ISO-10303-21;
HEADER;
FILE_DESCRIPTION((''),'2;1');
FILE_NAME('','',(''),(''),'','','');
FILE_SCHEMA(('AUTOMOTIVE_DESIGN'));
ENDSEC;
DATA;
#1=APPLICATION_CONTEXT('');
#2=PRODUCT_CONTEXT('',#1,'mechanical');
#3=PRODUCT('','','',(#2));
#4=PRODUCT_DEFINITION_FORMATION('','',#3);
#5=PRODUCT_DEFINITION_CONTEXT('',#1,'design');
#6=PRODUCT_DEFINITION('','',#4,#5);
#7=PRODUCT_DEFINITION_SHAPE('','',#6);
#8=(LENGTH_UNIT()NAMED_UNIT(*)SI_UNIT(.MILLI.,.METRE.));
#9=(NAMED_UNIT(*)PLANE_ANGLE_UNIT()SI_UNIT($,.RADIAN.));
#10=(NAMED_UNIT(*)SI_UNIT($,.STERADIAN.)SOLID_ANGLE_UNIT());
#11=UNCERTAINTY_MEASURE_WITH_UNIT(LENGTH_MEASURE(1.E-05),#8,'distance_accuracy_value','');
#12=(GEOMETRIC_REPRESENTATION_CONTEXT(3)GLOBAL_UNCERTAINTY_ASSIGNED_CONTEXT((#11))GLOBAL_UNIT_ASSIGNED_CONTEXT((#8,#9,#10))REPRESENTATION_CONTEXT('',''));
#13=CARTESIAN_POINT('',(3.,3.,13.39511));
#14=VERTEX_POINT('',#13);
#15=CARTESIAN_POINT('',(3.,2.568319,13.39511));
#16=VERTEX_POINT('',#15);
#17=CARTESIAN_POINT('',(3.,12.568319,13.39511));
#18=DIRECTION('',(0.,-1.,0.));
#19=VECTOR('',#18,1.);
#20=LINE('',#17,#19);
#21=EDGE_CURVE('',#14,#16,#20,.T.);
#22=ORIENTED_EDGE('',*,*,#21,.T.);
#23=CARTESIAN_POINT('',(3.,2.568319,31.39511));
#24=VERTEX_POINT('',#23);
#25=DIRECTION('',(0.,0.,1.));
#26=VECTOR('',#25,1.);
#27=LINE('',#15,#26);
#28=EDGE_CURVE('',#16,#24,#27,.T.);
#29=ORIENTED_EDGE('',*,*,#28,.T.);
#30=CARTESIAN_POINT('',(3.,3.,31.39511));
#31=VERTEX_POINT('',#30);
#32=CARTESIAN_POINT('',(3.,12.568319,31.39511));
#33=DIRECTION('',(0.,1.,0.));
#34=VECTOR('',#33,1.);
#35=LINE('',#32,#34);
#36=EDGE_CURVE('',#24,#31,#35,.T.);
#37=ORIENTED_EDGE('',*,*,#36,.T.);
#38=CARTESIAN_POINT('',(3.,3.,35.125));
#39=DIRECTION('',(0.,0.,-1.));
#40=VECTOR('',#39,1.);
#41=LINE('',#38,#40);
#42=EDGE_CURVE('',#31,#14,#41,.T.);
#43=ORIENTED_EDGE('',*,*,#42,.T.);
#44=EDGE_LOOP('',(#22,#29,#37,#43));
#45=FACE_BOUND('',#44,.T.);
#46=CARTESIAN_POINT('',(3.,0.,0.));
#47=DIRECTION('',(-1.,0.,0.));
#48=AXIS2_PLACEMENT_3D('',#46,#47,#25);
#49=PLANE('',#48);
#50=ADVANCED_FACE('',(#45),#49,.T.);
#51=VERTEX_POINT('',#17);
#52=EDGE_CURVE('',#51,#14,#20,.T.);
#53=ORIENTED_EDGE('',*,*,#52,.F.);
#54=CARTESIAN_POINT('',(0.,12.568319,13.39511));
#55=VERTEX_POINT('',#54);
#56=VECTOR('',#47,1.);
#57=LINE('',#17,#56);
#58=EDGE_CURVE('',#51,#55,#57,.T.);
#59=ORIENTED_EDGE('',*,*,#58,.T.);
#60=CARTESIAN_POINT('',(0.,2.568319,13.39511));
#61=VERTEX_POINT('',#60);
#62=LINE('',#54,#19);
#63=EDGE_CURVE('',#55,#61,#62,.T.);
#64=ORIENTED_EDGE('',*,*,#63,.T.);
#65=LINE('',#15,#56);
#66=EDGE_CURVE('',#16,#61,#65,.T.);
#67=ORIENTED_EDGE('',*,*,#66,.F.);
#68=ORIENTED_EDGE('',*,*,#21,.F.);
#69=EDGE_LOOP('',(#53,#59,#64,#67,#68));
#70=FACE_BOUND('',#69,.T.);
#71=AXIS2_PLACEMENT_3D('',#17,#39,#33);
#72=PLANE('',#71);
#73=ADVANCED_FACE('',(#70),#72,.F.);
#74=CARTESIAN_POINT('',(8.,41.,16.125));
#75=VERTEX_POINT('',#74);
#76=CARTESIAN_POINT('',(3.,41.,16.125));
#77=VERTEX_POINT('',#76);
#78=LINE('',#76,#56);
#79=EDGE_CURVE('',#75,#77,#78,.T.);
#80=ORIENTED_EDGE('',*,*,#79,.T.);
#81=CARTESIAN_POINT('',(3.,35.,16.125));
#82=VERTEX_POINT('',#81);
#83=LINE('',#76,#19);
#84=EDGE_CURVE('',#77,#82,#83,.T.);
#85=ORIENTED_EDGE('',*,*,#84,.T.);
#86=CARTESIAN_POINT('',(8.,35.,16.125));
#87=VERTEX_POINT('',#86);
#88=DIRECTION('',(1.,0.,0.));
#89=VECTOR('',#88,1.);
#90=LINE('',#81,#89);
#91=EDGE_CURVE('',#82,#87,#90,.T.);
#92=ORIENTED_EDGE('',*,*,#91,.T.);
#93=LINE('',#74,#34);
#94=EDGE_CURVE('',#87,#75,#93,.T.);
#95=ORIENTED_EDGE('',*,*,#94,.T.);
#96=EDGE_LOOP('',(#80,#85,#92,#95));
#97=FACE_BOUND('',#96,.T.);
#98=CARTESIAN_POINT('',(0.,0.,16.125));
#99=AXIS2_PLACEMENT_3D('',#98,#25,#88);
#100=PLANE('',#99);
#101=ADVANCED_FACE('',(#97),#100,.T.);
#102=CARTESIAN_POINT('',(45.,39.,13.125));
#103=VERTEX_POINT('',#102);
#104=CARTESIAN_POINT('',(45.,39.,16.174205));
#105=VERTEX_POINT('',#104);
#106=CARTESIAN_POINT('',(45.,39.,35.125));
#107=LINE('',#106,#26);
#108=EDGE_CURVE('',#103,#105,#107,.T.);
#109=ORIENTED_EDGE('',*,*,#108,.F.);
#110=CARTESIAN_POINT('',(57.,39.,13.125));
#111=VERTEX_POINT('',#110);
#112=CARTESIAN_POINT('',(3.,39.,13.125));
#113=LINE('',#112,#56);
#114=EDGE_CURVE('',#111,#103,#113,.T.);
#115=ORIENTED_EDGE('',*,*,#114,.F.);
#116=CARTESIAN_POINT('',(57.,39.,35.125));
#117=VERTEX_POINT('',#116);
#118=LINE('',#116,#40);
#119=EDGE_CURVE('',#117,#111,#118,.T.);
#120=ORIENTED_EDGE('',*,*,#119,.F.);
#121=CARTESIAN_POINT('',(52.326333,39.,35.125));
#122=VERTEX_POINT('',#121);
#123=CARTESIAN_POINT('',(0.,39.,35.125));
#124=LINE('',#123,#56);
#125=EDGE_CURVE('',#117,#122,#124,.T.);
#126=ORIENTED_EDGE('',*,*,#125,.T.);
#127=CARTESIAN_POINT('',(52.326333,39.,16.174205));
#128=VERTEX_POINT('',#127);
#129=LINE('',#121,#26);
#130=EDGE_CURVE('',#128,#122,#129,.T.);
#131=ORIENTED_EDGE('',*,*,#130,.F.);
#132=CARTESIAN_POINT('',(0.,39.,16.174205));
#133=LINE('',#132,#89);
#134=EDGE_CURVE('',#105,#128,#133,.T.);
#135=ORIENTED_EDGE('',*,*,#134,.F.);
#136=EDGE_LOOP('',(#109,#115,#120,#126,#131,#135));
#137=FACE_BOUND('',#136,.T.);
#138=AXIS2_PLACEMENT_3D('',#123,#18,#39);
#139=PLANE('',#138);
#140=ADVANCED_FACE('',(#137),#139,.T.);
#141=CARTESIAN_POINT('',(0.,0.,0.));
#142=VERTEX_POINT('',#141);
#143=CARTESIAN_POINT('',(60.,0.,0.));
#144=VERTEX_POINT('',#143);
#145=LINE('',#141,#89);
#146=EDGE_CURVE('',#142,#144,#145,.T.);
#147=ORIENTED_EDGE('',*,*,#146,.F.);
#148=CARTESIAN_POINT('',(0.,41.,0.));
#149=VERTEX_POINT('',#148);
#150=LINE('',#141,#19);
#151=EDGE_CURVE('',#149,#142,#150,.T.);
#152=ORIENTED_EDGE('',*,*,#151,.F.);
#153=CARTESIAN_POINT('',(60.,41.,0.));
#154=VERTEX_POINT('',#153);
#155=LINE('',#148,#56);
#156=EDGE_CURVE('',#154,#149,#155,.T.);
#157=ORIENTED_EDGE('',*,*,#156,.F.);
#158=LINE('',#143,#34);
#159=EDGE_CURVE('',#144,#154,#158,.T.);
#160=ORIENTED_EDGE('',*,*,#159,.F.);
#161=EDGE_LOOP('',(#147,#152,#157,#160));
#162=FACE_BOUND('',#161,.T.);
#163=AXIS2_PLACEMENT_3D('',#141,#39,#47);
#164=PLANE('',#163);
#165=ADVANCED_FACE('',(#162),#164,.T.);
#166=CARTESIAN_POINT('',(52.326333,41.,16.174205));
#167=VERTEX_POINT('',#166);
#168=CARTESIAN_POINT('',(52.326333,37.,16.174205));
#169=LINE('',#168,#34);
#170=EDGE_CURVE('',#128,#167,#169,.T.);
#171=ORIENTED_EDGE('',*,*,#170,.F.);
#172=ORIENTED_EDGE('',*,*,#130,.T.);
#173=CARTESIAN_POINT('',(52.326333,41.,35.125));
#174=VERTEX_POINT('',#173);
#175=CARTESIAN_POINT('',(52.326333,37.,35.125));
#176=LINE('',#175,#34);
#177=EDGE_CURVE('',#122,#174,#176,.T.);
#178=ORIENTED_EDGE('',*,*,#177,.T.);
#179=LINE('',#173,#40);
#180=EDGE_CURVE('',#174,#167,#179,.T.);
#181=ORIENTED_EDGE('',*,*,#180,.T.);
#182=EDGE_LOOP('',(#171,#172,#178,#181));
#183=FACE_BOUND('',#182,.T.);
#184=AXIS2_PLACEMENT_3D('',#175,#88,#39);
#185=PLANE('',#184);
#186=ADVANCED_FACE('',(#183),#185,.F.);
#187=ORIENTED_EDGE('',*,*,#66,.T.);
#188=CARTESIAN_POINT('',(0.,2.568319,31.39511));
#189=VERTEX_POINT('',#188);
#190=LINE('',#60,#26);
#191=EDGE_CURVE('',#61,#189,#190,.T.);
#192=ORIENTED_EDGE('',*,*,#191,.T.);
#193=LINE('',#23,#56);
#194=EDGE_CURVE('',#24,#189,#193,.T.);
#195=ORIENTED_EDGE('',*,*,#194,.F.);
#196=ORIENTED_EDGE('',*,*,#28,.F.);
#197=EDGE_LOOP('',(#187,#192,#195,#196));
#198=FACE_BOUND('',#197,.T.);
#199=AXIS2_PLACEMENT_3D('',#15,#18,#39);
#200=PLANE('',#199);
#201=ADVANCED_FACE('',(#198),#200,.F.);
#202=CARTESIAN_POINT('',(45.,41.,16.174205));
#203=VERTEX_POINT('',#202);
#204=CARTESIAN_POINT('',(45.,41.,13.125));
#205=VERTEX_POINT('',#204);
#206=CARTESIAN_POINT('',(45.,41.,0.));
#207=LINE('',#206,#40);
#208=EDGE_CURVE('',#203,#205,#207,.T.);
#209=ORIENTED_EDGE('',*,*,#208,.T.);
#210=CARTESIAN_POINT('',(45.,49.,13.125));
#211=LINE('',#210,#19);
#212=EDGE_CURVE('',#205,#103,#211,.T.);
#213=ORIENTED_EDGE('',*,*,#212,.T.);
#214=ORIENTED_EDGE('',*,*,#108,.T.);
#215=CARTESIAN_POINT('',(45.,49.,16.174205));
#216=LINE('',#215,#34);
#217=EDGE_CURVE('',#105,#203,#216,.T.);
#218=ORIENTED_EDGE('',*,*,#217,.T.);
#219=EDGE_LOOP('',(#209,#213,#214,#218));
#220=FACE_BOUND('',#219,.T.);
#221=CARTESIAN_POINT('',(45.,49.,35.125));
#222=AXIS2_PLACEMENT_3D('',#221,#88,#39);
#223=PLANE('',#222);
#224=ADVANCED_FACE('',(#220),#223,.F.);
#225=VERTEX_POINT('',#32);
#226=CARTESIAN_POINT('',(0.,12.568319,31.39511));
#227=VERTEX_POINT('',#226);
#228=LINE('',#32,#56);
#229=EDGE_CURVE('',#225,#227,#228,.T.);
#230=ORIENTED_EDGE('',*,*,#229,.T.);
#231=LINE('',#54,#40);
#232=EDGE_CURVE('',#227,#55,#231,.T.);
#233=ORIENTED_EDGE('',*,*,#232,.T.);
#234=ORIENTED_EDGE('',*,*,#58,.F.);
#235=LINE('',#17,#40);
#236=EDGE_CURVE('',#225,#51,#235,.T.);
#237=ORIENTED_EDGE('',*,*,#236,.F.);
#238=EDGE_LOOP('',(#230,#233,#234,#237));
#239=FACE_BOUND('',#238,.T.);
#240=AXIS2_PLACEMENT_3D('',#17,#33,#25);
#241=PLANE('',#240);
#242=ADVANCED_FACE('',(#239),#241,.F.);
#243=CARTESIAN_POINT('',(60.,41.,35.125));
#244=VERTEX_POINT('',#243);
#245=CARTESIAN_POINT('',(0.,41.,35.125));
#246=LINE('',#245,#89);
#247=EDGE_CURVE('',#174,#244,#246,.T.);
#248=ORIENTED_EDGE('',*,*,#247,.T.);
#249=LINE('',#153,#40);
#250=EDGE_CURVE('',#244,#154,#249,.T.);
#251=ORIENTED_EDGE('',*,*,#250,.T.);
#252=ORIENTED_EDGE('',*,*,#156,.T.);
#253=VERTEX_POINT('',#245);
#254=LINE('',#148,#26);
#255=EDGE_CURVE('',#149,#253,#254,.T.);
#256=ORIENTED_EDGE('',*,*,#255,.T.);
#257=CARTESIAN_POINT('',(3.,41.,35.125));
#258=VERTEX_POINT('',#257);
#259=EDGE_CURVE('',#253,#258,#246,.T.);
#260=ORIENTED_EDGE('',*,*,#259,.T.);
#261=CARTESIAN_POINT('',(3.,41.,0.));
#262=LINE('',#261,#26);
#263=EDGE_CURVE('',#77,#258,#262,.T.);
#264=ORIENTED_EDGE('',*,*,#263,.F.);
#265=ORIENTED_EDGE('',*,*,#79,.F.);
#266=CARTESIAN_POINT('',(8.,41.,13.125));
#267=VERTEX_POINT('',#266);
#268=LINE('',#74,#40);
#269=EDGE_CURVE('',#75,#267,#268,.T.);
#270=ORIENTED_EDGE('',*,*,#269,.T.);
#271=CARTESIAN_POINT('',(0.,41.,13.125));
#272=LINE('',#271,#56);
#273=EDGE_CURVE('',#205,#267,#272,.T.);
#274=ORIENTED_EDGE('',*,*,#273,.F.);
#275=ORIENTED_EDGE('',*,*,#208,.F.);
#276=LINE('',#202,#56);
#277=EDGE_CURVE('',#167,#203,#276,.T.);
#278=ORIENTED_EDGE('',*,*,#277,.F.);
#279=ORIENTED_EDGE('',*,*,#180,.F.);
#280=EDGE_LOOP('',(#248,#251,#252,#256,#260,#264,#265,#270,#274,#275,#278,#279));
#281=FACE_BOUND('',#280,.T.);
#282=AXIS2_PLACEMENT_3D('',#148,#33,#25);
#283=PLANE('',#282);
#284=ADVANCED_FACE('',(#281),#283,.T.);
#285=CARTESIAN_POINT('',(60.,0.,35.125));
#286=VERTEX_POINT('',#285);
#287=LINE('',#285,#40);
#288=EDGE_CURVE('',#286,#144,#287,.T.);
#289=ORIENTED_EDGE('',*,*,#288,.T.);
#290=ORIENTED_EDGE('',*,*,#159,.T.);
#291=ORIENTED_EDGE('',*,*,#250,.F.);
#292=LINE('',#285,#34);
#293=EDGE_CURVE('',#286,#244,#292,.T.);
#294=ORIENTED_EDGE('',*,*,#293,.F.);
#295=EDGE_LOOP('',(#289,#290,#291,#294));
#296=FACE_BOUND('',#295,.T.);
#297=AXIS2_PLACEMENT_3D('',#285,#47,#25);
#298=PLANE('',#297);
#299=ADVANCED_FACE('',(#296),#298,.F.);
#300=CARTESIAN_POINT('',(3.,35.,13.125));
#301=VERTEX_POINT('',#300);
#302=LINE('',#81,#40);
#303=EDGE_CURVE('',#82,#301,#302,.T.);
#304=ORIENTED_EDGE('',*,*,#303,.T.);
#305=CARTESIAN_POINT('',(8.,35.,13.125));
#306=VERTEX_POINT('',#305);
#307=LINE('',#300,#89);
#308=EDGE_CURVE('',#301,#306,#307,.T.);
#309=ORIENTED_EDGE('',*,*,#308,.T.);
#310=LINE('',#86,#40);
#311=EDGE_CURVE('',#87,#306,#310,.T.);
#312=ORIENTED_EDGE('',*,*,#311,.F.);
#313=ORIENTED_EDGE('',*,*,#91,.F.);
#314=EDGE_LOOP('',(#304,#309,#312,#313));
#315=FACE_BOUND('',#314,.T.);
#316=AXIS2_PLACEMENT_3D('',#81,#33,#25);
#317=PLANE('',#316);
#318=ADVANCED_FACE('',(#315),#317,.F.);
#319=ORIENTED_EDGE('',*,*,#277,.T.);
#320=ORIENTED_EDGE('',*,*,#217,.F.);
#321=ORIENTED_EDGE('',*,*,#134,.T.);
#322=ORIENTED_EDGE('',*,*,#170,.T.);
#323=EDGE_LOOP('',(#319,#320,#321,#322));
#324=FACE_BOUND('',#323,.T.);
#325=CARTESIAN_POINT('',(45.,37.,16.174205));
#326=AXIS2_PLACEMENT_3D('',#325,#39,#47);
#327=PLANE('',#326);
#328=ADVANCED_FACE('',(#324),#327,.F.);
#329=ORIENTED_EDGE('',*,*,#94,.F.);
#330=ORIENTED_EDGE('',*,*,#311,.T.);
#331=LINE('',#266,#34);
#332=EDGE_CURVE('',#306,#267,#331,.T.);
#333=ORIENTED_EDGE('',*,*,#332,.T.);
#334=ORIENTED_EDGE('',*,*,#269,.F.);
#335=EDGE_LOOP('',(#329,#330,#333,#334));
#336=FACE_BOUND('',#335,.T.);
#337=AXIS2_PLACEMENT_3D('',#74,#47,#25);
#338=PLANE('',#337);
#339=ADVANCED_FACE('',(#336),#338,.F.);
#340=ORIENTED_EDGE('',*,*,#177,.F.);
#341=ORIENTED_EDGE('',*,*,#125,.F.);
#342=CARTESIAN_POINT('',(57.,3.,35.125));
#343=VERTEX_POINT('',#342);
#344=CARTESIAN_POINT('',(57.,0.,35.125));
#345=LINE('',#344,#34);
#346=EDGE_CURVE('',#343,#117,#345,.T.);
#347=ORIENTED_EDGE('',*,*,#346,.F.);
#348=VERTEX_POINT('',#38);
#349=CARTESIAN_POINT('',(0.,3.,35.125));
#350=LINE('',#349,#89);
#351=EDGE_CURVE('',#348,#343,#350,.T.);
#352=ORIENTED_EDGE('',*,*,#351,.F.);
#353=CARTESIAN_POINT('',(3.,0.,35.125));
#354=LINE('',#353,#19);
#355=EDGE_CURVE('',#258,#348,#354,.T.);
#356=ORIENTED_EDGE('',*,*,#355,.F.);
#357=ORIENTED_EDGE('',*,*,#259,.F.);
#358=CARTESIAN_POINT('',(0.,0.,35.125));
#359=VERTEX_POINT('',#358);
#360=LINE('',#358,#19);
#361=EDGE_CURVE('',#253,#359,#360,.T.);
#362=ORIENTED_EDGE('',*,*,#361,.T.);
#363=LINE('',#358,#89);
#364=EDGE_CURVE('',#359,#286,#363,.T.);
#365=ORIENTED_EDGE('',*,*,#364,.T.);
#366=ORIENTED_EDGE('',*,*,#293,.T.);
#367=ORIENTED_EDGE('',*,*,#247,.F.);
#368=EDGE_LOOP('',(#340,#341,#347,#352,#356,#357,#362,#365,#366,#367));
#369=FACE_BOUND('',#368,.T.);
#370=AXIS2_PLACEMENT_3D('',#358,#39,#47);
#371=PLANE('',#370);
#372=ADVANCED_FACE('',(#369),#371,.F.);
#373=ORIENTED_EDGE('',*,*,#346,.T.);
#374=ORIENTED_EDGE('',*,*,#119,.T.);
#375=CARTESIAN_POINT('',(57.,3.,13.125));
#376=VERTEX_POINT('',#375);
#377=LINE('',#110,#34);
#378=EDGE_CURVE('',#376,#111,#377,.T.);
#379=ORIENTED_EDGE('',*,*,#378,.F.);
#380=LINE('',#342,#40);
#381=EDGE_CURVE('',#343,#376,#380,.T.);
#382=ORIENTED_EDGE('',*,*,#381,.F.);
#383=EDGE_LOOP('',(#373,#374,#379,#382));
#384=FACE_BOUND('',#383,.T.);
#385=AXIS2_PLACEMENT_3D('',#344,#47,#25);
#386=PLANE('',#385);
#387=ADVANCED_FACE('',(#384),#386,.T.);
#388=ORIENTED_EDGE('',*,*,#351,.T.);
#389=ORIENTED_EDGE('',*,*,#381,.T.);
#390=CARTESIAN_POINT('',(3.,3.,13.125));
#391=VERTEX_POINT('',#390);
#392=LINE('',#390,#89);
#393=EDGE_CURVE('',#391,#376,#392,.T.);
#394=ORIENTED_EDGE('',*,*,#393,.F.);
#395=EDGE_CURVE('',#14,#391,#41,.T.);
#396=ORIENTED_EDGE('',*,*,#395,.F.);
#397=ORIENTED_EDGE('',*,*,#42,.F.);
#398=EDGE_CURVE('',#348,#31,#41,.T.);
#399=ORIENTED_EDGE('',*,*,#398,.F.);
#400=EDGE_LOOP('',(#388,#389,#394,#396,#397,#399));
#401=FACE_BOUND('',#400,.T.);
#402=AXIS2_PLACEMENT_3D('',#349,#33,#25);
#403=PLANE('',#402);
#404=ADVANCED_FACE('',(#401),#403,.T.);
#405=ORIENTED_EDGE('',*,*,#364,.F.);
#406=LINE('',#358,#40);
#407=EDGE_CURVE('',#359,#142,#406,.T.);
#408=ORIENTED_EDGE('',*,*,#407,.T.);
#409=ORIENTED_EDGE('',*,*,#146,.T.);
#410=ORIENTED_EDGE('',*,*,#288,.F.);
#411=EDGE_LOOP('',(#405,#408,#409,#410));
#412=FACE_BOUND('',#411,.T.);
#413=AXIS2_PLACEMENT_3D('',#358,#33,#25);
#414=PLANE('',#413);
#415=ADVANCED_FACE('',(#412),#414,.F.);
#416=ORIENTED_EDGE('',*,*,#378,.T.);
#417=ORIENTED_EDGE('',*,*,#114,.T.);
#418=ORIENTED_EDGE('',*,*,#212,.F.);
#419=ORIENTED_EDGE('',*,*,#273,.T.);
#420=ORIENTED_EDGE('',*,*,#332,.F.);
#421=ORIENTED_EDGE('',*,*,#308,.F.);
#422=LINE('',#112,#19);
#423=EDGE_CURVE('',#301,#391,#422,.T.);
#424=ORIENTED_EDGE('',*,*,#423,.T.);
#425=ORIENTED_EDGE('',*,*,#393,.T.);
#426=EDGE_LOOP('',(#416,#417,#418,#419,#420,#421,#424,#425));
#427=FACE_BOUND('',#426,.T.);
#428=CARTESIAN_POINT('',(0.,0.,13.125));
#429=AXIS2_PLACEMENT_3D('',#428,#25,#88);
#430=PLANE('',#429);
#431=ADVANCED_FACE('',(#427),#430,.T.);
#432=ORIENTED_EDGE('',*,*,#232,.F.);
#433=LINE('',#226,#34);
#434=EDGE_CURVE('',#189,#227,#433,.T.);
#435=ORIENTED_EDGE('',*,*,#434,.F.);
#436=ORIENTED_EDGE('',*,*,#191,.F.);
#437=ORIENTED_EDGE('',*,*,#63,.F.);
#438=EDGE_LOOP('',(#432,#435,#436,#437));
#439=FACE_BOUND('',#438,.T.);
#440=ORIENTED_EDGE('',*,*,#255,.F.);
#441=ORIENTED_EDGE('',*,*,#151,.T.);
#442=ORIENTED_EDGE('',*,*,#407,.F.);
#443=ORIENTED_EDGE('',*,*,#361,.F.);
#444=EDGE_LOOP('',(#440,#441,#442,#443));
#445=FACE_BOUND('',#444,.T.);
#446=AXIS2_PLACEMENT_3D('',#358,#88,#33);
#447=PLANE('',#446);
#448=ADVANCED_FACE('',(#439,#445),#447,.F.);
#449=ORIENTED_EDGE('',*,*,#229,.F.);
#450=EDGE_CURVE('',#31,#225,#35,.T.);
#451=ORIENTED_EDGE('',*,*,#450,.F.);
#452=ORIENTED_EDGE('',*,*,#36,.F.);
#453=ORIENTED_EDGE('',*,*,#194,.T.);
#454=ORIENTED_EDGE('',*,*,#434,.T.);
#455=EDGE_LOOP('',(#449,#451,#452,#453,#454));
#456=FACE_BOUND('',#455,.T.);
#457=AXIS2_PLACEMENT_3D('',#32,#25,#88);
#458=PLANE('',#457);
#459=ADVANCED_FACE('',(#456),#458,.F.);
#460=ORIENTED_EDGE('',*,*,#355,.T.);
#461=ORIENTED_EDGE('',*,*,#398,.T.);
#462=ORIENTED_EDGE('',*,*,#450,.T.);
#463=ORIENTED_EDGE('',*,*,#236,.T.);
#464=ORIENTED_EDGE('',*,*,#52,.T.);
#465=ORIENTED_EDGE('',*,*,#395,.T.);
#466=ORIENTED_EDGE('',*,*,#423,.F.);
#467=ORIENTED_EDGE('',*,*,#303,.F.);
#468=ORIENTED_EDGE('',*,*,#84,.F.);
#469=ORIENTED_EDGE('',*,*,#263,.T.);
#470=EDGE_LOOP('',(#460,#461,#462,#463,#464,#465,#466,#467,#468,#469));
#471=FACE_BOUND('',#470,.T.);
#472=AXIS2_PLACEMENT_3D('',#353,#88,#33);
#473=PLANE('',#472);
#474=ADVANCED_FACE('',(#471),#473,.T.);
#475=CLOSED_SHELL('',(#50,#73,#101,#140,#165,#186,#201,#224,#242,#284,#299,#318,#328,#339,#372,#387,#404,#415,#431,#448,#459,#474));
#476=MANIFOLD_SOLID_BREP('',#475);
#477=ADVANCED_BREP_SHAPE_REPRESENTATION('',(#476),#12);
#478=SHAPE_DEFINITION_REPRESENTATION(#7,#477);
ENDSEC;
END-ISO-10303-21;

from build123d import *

# Parameters (mm, degrees)
ESQUISSE1_W             = 60
ESQUISSE1_H             = 42
BOSS_EXTRU_1_DEPTH      = 35.125
COQUE4_T                = -3
ESQUISSE7_W             = 54
ESQUISSE7_H             = 36
BOSS_EXTRU_2_DEPTH      = 10.125
ESQUISSE8_W             = 60
ESQUISSE8_H             = 35.125
ENL_V_MAT_EXTRU_1_DEPTH = 1
ESQUISSE9_W             = 10
ESQUISSE9_H             = 22
BOSS_EXTRU_3_DEPTH      = 1
ESQUISSE10_W            = 18
ESQUISSE10_H            = 10
ENL_V_MAT_EXTRU_2_DEPTH = 3
ESQUISSE13_W            = 42
ESQUISSE13_H            = 22
ENL_V_MAT_EXTRU_3_DEPTH = 10
ESQUISSE15_W            = 7.326333239
ESQUISSE15_H            = 18.950794871
ENL_V_MAT_EXTRU_4_DEPTH = 4
ESQUISSE16_W            = 5
ESQUISSE16_H            = 6
BOSS_EXTRU_4_DEPTH      = 3


with BuildPart() as part:
    # Esquisse1 → Boss.-Extru.1 (new body)
    with BuildSketch(Plane.XY):
        with Locations((30, 21)):
            Rectangle(ESQUISSE1_W, ESQUISSE1_H)
    extrude(amount=BOSS_EXTRU_1_DEPTH)

    # Coque4
    coque4_openings = [part.faces().sort_by_distance(p)[0] for p in [
        (30, 21, 35.125),
    ]]
    offset(amount=COQUE4_T, openings=coque4_openings, kind=Kind.INTERSECTION)

    # Esquisse7 → Boss.-Extru.2 (add)
    with BuildSketch(Plane.XY.offset(3)):
        with Locations((30, 21)):
            Rectangle(ESQUISSE7_W, ESQUISSE7_H)
    extrude(amount=BOSS_EXTRU_2_DEPTH)

    # Esquisse8 → Enlèv. mat.-Extru.1 (cut)
    with BuildSketch(Plane(origin=(0, 42, 0), x_dir=(1, 0, 0), z_dir=(0, 1, 0))):
        with Locations((30, -17.5625)):
            Rectangle(ESQUISSE8_W, ESQUISSE8_H)
    extrude(amount=-ENL_V_MAT_EXTRU_1_DEPTH, mode=Mode.SUBTRACT)

    # Esquisse9 → Boss.-Extru.3 (add)
    with BuildSketch(Plane(origin=(0, 41, 0), x_dir=(1, 0, 0), z_dir=(0, 1, 0))):
        with Locations((55, -24.125)):
            Rectangle(ESQUISSE9_W, ESQUISSE9_H)
    extrude(amount=-BOSS_EXTRU_3_DEPTH)

    # Esquisse10 → Enlèv. mat.-Extru.2 (cut)
    with BuildSketch(Plane.ZY):
        with Locations((22.395110195, 7.568318588)):
            Rectangle(ESQUISSE10_W, ESQUISSE10_H)
    extrude(amount=-ENL_V_MAT_EXTRU_2_DEPTH, mode=Mode.SUBTRACT)

    # Esquisse13 → Enlèv. mat.-Extru.3 (cut)
    with BuildSketch(Plane(origin=(0, 39, 0), x_dir=(-1, 0, 0), z_dir=(0, -1, 0))):
        with Locations((-24, -24.125)):
            Rectangle(ESQUISSE13_W, ESQUISSE13_H)
    extrude(amount=-ENL_V_MAT_EXTRU_3_DEPTH, mode=Mode.SUBTRACT)

    # Esquisse15 → Enlèv. mat.-Extru.4 (cut)
    with BuildSketch(Plane(origin=(0, 41, 0), x_dir=(1, 0, 0), z_dir=(0, 1, 0))):
        with Locations((48.66316662, -25.649602565)):
            Rectangle(ESQUISSE15_W, ESQUISSE15_H)
    extrude(amount=-ENL_V_MAT_EXTRU_4_DEPTH, mode=Mode.SUBTRACT)

    # Esquisse16 → Boss.-Extru.4 (add)
    with BuildSketch(Plane.XY.offset(13.125)):
        with Locations((5.5, 38)):
            Rectangle(ESQUISSE16_W, ESQUISSE16_H)
    extrude(amount=BOSS_EXTRU_4_DEPTH)


solid = part.part
